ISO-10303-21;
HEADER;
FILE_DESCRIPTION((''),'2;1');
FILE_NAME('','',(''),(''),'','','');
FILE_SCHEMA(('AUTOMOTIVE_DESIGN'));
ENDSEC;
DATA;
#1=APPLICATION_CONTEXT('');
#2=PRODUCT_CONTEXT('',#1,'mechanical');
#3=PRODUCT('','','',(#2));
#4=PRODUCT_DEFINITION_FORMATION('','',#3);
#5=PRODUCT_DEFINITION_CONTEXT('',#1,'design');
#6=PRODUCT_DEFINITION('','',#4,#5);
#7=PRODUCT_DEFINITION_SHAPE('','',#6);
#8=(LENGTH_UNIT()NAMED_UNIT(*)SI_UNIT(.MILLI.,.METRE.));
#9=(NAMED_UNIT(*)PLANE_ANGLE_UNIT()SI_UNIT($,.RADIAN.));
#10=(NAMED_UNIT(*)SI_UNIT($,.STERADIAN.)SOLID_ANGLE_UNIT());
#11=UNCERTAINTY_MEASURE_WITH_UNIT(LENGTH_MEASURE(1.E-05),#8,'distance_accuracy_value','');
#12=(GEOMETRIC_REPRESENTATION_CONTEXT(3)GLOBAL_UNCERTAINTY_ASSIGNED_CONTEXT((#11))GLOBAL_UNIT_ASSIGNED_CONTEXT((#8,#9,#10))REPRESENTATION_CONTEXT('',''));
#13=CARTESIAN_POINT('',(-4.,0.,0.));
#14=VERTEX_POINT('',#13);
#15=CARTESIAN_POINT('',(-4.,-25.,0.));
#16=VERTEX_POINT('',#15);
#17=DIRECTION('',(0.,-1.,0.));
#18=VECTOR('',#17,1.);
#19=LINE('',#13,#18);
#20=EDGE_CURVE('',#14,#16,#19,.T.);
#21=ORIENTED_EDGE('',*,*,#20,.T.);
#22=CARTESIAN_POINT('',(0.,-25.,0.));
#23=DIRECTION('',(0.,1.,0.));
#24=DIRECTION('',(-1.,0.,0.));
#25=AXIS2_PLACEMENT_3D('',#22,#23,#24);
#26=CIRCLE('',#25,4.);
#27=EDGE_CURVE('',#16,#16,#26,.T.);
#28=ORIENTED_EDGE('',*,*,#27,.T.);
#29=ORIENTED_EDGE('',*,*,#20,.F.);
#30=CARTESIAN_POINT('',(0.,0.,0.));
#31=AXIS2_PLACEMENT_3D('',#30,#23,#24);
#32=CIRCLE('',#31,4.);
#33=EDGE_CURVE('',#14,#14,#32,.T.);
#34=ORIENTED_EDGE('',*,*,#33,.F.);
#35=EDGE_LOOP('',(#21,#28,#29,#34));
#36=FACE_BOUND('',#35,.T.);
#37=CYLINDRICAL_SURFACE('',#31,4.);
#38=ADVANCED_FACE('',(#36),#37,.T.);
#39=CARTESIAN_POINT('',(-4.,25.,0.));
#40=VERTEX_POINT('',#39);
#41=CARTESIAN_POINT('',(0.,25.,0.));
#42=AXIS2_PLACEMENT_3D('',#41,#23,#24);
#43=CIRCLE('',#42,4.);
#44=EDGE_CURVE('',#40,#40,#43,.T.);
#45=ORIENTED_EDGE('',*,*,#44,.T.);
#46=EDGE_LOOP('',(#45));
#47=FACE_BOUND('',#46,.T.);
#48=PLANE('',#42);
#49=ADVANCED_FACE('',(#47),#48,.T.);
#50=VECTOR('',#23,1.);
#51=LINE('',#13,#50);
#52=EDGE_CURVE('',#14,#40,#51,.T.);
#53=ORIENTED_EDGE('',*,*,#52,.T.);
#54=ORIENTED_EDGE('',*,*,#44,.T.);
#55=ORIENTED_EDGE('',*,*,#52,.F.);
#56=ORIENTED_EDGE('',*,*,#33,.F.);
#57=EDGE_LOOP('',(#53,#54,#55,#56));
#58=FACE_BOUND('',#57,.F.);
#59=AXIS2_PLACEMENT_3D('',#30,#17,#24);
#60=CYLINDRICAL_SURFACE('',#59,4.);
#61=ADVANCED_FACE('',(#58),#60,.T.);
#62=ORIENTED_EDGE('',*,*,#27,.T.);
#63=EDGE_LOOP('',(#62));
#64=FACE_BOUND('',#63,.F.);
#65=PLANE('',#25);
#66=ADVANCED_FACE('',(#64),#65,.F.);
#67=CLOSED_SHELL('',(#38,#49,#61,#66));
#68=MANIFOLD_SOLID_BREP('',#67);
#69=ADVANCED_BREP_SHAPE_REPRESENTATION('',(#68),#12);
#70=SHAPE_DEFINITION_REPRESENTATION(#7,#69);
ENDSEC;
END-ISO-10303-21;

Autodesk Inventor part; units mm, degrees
ref_plane "YZ Plane" through (0, 0, 0) normal (1, 0, 0) x (0, 1, 0)
ref_plane "XZ Plane" through (0, 0, 0) normal (0, 1, 0) x (-1, 0, 0)
ref_plane "XY Plane" through (0, 0, 0) normal (0, 0, 1) x (1, 0, 0)
sketch "Sketch1" plane through (0, 0, 0) normal (0, 1, 0) x (-1, 0, 0)
  circle A0 centre (0, 0) radius 4
  dimension "d0" = 8
extrude "Extrusion1" add sketch "Sketch1" along normal mid plane 50
properties part number "eje8x50mm"
